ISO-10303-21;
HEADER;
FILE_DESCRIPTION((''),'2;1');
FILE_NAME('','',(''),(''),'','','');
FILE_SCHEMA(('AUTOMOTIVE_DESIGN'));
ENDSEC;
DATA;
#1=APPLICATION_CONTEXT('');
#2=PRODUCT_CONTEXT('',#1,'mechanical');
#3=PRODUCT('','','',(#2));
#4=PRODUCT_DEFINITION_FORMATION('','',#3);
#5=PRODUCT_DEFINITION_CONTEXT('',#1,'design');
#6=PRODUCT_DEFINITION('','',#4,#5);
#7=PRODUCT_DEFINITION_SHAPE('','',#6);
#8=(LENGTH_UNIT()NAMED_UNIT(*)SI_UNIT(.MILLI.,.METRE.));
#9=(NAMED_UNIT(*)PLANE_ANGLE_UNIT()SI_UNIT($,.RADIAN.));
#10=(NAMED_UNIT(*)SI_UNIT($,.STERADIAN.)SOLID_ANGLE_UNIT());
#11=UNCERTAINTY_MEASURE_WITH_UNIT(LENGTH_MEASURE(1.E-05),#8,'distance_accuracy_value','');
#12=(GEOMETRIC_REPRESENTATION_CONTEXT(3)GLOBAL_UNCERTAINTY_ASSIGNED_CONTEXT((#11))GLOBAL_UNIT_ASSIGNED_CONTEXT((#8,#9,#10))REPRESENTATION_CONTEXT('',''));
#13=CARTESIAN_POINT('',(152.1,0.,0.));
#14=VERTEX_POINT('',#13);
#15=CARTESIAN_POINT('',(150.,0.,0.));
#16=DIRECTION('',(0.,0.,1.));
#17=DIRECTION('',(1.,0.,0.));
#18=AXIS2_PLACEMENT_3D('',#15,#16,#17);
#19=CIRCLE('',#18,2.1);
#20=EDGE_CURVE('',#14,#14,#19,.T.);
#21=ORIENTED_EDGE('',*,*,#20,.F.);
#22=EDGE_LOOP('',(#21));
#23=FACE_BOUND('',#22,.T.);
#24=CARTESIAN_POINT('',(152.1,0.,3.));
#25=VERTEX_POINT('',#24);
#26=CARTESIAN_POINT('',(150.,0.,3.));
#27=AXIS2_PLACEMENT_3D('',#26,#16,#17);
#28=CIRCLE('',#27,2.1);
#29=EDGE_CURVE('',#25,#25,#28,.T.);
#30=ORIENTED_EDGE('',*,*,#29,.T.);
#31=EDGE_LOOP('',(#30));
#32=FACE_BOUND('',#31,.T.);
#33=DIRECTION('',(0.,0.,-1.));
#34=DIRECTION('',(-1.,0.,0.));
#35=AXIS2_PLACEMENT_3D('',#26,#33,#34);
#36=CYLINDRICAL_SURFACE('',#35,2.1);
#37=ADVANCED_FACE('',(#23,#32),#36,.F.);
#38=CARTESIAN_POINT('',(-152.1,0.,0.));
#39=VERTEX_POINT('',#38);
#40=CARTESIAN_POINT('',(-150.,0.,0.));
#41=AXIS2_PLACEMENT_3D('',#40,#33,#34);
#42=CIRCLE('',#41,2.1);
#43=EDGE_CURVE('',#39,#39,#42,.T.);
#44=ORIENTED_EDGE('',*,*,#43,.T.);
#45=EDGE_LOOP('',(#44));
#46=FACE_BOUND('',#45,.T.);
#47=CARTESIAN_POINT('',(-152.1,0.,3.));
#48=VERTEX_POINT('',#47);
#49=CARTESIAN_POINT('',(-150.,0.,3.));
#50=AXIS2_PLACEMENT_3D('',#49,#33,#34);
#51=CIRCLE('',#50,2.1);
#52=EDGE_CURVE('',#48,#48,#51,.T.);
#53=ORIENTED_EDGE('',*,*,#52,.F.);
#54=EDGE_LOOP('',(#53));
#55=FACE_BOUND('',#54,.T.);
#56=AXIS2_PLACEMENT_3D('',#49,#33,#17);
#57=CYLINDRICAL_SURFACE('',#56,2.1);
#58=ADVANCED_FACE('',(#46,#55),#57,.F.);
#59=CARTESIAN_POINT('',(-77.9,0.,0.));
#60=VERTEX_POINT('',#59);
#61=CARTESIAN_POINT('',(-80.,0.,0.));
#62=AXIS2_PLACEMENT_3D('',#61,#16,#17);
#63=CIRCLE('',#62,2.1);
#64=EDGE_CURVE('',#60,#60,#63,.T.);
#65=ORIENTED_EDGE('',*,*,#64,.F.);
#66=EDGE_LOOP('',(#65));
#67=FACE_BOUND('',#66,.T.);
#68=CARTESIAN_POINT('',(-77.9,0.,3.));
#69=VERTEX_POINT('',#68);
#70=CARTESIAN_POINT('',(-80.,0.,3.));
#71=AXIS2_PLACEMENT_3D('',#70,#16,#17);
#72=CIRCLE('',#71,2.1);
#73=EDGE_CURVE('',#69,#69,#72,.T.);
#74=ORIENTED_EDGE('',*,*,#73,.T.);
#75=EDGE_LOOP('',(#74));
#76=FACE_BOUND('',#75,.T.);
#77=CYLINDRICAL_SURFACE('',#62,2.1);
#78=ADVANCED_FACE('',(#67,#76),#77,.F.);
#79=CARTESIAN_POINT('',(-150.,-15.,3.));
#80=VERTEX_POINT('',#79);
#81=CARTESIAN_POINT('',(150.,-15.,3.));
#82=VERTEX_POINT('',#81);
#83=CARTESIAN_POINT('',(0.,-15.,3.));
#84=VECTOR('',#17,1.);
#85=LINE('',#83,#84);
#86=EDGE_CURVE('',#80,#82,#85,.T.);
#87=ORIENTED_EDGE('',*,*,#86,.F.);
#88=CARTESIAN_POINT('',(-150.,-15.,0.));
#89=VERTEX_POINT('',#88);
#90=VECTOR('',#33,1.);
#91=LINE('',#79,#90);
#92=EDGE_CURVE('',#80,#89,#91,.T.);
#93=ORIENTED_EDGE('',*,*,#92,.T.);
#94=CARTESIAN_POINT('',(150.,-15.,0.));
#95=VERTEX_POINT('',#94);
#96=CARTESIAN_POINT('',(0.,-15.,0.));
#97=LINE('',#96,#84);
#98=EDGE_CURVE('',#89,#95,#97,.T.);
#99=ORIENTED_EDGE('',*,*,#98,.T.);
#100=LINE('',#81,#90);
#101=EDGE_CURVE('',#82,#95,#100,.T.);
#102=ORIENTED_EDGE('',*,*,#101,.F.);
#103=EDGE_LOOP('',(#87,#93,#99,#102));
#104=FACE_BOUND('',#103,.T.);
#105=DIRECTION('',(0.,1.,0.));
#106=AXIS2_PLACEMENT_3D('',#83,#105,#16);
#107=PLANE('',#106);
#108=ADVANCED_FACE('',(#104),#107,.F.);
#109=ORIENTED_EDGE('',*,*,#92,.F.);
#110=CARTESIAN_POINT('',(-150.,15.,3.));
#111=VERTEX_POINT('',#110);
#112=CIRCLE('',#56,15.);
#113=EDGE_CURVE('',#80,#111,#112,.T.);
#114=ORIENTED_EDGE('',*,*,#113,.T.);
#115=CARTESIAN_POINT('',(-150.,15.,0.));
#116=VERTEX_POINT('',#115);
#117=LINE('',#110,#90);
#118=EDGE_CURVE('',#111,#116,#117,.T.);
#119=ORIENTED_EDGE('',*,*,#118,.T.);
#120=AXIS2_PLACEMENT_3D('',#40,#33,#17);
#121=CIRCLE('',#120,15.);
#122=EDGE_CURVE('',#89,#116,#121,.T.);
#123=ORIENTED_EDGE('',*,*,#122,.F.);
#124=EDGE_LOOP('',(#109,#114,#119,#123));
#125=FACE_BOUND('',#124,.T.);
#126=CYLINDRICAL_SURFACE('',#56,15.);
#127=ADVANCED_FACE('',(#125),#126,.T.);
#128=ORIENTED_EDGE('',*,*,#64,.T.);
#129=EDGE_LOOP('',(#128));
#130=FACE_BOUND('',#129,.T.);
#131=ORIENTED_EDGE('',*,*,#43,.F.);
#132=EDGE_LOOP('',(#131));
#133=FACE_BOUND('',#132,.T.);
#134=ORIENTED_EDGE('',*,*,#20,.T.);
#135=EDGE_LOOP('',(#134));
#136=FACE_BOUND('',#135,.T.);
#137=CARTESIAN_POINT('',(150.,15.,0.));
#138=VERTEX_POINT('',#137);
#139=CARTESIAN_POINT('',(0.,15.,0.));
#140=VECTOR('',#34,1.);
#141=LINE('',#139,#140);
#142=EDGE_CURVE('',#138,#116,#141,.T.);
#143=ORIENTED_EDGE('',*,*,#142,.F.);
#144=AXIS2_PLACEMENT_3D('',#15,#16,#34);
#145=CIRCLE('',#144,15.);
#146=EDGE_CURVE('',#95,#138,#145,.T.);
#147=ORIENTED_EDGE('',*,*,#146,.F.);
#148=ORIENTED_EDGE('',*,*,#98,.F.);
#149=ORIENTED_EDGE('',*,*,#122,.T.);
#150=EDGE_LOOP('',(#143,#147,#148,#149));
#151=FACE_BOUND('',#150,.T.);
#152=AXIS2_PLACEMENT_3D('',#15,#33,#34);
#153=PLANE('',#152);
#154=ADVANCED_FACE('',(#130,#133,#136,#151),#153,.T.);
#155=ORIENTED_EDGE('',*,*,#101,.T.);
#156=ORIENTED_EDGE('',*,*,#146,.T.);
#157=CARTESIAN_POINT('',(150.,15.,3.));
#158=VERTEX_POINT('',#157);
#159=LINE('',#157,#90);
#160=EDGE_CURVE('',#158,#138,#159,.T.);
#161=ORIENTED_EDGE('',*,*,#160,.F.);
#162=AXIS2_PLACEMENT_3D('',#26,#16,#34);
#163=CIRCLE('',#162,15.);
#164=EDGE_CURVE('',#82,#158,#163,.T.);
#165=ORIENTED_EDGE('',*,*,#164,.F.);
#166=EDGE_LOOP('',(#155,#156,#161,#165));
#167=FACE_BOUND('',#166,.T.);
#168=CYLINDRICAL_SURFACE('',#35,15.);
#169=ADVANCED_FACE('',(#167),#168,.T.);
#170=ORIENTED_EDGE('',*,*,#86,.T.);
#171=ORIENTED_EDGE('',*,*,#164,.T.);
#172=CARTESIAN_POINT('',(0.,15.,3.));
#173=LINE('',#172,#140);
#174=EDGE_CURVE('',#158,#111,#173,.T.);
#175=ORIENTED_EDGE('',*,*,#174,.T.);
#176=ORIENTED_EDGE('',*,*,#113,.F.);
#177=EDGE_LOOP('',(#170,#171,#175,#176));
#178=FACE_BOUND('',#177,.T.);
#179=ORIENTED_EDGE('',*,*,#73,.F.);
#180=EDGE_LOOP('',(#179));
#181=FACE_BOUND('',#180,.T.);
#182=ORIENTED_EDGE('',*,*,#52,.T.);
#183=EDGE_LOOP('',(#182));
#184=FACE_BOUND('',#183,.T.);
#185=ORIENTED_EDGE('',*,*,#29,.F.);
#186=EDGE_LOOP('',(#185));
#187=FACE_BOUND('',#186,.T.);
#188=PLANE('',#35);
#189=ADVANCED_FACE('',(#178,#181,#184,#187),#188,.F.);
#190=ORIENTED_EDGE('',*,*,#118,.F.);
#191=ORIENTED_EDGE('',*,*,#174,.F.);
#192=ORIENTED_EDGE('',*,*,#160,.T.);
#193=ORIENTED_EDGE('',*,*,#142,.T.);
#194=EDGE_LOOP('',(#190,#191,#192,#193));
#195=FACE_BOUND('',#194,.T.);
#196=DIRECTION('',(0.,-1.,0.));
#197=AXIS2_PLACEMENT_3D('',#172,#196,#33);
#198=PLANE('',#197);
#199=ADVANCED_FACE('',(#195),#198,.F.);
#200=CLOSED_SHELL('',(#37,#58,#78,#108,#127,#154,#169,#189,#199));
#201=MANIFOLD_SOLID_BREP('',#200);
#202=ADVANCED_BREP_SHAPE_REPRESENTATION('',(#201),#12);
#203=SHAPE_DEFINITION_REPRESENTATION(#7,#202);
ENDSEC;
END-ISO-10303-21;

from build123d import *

# Parameters (mm, degrees)
ESQUISSE1_R             = 2.1
BOSS_EXTRU_1_DEPTH      = 3
ESQUISSE2_R             = 2.1
ENL_V_MAT_EXTRU_1_DEPTH = 166.707573756


with BuildPart() as part:
    # Esquisse1 → Boss.-Extru.1 (new body)
    with BuildSketch(Plane.XY):
        with BuildLine():
            Line((0, 15), (150, 15))
            ThreePointArc((150, 15), (165, 0), (150, -15))
            Line((150, -15), (0, -15))
            Line((0, -15), (0, 15))
        make_face()
        with Locations((150, 0)):
            Circle(ESQUISSE1_R, mode=Mode.SUBTRACT)
    extrude(amount=BOSS_EXTRU_1_DEPTH)

    # Symétrie1: part across plane


with BuildPart() as part_1:
    add(part.part)
    add(part.part.mirror(Plane(origin=(0, 15, 3), x_dir=(0, 0, 1), z_dir=(1, 0, 0))))

    # Esquisse2 → Enlèv. mat.-Extru.1 (cut, through all)
    with BuildSketch(Plane.XY.offset(3)):
        with Locations((-80, 0)):
            Circle(ESQUISSE2_R)
    extrude(amount=-ENL_V_MAT_EXTRU_1_DEPTH, mode=Mode.SUBTRACT)


solid = part_1.part
